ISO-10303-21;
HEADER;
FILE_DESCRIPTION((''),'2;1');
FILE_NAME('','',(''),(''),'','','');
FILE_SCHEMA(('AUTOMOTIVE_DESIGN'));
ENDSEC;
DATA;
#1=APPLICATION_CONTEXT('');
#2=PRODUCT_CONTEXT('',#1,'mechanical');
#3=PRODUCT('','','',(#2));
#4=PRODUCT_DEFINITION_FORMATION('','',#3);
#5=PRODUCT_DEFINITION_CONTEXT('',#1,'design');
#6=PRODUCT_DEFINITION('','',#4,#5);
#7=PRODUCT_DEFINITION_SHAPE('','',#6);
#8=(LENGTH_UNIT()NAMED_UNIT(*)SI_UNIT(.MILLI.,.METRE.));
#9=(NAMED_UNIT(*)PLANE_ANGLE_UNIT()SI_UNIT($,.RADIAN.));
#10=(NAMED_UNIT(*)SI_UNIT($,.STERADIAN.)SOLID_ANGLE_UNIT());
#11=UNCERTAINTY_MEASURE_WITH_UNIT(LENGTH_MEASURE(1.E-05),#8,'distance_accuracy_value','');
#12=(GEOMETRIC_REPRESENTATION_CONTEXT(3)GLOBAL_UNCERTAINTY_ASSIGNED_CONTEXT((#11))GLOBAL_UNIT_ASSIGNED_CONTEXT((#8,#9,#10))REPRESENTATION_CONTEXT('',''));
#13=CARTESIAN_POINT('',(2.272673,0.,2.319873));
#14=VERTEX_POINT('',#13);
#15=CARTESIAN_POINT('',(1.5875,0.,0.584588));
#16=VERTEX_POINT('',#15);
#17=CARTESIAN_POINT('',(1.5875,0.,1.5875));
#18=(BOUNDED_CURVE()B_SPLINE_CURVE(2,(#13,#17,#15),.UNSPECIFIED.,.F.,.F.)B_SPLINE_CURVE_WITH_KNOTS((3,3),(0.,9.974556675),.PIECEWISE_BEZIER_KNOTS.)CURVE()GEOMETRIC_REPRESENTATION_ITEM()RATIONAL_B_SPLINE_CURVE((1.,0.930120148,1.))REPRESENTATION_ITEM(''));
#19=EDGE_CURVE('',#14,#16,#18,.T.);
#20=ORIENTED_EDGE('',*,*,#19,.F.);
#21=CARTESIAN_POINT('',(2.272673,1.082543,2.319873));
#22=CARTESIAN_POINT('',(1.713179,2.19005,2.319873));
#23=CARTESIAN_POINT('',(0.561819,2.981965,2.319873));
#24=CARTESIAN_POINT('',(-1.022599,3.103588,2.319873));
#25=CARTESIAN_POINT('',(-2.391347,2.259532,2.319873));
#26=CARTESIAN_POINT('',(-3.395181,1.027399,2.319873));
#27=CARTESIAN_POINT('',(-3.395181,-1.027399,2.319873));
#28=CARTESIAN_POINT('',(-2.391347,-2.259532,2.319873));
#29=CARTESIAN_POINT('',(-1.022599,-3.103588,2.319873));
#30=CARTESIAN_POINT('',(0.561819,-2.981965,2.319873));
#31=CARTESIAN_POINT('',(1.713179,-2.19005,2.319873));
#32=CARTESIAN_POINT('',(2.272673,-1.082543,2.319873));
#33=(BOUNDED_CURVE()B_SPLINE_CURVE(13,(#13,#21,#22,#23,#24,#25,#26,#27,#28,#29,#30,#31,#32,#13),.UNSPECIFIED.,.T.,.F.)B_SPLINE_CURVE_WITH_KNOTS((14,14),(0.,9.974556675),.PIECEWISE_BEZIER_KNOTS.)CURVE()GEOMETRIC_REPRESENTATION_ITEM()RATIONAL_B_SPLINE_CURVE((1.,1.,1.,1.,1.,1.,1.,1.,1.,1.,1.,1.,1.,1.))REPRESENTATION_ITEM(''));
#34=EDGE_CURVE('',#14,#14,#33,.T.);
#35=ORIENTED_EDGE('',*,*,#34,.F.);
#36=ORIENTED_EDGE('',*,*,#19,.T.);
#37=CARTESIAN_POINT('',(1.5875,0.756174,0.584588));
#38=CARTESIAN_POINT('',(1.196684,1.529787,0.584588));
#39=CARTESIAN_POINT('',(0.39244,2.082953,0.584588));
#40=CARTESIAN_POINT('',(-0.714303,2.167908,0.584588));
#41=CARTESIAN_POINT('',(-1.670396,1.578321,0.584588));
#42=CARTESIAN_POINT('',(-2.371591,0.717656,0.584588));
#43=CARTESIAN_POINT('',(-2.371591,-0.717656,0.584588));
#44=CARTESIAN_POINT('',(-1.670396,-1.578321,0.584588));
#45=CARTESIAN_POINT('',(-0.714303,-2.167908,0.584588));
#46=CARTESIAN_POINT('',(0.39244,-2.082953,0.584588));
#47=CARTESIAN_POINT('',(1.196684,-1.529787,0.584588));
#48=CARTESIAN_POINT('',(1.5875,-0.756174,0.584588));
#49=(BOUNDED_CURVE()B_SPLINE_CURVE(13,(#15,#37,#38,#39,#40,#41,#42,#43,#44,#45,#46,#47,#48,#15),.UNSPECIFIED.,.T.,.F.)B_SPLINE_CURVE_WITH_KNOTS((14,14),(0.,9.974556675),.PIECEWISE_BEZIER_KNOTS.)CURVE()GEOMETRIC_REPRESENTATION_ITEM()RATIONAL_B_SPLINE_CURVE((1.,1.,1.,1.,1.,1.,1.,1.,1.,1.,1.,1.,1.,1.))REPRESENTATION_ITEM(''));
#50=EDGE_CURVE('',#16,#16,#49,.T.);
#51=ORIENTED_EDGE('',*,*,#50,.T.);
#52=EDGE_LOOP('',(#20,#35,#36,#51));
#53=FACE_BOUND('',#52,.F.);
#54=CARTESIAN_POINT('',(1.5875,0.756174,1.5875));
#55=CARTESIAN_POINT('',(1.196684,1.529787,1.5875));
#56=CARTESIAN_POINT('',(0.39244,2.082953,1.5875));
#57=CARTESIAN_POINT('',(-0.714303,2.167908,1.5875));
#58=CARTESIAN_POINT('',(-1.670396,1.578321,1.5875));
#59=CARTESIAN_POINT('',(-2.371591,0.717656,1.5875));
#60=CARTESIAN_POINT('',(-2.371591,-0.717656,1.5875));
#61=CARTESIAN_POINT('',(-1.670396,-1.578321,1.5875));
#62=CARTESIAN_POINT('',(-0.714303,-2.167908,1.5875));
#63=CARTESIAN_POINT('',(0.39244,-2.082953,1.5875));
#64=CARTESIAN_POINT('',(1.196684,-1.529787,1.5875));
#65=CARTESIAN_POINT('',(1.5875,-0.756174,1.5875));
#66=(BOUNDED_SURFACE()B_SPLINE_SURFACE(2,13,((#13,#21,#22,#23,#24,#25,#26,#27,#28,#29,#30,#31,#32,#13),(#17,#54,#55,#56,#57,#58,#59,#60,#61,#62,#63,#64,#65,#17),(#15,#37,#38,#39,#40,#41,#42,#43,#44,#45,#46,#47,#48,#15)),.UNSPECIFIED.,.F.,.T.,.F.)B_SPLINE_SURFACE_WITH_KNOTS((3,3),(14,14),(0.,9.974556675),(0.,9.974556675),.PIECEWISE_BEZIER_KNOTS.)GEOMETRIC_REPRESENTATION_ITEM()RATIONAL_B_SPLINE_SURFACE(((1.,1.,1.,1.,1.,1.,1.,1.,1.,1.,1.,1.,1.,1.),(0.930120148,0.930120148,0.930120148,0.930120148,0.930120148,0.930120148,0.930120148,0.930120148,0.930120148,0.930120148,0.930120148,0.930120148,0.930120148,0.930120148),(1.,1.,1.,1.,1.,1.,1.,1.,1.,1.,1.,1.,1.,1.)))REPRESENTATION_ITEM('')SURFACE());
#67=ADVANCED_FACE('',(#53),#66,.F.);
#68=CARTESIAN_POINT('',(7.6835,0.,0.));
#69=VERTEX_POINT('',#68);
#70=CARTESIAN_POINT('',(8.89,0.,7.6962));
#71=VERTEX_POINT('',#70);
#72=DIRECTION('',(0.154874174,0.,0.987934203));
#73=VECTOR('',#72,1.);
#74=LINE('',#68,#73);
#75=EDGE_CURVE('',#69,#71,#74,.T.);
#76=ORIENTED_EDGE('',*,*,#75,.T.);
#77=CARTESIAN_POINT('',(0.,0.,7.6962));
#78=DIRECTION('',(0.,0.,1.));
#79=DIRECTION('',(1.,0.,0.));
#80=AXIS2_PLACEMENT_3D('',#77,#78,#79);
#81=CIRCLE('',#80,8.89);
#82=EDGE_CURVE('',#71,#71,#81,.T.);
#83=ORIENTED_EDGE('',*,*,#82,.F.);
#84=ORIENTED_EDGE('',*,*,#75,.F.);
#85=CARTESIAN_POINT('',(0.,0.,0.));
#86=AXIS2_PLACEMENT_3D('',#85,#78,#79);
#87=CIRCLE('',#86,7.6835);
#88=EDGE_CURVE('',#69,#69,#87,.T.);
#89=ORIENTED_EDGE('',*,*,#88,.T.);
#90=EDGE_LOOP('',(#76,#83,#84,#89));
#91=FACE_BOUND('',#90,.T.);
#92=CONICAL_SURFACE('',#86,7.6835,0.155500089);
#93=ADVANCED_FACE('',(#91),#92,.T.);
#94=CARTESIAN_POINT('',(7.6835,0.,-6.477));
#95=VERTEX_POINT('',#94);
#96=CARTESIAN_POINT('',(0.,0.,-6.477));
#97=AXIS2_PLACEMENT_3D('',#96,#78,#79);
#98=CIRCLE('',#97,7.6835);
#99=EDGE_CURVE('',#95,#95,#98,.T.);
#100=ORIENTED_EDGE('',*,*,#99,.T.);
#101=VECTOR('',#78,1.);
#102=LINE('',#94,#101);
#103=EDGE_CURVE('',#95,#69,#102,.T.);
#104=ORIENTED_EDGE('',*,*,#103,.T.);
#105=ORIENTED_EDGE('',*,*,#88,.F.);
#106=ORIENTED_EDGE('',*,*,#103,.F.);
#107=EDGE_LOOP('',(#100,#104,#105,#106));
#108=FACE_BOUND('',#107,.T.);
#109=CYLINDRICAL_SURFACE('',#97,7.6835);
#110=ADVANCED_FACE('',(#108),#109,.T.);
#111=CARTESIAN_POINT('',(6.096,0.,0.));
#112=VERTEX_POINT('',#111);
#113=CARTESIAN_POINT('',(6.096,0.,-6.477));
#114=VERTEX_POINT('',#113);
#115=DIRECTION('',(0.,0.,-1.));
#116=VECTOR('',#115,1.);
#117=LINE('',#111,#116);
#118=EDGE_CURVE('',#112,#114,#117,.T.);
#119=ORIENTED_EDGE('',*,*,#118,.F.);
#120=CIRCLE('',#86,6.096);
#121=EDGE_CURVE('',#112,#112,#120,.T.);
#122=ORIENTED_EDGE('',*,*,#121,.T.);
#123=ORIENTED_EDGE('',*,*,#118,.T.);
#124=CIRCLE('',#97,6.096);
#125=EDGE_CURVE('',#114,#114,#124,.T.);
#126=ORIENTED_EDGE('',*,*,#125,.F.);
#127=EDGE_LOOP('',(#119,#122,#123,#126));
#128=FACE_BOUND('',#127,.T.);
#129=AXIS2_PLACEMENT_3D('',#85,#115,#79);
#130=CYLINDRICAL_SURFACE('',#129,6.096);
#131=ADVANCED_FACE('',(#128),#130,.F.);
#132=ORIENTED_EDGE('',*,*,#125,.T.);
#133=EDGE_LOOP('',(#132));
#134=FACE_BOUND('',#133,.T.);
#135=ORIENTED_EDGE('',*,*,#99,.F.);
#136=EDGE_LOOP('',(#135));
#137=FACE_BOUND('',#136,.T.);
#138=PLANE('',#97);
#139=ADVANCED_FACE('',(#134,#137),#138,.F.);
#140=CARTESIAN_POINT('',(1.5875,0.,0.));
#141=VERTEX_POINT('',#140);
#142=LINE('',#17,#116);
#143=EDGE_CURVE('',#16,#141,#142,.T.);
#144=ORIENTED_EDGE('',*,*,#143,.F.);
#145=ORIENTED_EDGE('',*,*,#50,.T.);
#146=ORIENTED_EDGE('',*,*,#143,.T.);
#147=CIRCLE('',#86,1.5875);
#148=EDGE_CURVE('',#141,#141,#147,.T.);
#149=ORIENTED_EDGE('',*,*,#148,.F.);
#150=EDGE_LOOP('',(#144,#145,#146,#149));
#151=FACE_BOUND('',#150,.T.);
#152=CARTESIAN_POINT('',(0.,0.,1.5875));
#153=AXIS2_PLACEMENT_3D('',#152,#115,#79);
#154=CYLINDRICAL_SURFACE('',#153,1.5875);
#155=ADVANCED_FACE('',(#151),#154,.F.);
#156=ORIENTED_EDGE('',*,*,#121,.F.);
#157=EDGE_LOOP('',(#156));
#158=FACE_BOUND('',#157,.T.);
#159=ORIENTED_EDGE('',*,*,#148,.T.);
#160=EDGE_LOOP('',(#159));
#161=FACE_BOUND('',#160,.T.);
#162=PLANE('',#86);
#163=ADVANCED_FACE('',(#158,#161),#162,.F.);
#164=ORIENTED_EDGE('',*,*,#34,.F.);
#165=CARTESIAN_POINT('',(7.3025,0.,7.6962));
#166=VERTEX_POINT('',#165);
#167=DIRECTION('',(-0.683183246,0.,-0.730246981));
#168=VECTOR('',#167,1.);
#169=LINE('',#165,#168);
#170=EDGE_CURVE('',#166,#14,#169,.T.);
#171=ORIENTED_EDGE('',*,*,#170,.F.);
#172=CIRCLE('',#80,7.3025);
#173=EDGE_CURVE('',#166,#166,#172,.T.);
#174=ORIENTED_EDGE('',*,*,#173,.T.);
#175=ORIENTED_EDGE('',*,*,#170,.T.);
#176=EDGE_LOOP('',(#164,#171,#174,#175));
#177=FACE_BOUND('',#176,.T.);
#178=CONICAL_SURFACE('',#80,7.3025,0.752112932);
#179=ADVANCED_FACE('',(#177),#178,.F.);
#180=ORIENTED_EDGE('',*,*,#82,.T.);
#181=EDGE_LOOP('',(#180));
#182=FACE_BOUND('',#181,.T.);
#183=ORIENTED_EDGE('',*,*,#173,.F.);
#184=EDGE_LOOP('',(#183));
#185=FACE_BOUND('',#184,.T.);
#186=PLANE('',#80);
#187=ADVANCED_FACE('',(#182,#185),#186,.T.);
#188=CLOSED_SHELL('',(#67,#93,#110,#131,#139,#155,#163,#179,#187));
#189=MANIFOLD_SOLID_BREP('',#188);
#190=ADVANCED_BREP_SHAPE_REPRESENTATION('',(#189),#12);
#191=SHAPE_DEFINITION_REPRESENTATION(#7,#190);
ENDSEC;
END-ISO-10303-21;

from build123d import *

# Parameters (mm, degrees)
FILLET_R = 2.54


with BuildPart() as part:
    # Sketch → Revolution (revolve)
    with BuildSketch(Plane.XZ):
        Polygon((6.096, 0), (6.096, -6.477), (7.6835, -6.477), (7.6835, 0), (8.89, 7.6962), (7.3025, 7.6962), (1.5875, 1.5875), (1.5875, 0), align=None)
    revolve(axis=Axis((0, 0, 0), (0, 0, 1)))

    # Fillet
    fillet_edges = [part.edges().sort_by_distance(p)[0] for p in [
        (-1.5875, 0, 1.5875),
    ]]
    fillet(fillet_edges, radius=FILLET_R)


solid = part.part
